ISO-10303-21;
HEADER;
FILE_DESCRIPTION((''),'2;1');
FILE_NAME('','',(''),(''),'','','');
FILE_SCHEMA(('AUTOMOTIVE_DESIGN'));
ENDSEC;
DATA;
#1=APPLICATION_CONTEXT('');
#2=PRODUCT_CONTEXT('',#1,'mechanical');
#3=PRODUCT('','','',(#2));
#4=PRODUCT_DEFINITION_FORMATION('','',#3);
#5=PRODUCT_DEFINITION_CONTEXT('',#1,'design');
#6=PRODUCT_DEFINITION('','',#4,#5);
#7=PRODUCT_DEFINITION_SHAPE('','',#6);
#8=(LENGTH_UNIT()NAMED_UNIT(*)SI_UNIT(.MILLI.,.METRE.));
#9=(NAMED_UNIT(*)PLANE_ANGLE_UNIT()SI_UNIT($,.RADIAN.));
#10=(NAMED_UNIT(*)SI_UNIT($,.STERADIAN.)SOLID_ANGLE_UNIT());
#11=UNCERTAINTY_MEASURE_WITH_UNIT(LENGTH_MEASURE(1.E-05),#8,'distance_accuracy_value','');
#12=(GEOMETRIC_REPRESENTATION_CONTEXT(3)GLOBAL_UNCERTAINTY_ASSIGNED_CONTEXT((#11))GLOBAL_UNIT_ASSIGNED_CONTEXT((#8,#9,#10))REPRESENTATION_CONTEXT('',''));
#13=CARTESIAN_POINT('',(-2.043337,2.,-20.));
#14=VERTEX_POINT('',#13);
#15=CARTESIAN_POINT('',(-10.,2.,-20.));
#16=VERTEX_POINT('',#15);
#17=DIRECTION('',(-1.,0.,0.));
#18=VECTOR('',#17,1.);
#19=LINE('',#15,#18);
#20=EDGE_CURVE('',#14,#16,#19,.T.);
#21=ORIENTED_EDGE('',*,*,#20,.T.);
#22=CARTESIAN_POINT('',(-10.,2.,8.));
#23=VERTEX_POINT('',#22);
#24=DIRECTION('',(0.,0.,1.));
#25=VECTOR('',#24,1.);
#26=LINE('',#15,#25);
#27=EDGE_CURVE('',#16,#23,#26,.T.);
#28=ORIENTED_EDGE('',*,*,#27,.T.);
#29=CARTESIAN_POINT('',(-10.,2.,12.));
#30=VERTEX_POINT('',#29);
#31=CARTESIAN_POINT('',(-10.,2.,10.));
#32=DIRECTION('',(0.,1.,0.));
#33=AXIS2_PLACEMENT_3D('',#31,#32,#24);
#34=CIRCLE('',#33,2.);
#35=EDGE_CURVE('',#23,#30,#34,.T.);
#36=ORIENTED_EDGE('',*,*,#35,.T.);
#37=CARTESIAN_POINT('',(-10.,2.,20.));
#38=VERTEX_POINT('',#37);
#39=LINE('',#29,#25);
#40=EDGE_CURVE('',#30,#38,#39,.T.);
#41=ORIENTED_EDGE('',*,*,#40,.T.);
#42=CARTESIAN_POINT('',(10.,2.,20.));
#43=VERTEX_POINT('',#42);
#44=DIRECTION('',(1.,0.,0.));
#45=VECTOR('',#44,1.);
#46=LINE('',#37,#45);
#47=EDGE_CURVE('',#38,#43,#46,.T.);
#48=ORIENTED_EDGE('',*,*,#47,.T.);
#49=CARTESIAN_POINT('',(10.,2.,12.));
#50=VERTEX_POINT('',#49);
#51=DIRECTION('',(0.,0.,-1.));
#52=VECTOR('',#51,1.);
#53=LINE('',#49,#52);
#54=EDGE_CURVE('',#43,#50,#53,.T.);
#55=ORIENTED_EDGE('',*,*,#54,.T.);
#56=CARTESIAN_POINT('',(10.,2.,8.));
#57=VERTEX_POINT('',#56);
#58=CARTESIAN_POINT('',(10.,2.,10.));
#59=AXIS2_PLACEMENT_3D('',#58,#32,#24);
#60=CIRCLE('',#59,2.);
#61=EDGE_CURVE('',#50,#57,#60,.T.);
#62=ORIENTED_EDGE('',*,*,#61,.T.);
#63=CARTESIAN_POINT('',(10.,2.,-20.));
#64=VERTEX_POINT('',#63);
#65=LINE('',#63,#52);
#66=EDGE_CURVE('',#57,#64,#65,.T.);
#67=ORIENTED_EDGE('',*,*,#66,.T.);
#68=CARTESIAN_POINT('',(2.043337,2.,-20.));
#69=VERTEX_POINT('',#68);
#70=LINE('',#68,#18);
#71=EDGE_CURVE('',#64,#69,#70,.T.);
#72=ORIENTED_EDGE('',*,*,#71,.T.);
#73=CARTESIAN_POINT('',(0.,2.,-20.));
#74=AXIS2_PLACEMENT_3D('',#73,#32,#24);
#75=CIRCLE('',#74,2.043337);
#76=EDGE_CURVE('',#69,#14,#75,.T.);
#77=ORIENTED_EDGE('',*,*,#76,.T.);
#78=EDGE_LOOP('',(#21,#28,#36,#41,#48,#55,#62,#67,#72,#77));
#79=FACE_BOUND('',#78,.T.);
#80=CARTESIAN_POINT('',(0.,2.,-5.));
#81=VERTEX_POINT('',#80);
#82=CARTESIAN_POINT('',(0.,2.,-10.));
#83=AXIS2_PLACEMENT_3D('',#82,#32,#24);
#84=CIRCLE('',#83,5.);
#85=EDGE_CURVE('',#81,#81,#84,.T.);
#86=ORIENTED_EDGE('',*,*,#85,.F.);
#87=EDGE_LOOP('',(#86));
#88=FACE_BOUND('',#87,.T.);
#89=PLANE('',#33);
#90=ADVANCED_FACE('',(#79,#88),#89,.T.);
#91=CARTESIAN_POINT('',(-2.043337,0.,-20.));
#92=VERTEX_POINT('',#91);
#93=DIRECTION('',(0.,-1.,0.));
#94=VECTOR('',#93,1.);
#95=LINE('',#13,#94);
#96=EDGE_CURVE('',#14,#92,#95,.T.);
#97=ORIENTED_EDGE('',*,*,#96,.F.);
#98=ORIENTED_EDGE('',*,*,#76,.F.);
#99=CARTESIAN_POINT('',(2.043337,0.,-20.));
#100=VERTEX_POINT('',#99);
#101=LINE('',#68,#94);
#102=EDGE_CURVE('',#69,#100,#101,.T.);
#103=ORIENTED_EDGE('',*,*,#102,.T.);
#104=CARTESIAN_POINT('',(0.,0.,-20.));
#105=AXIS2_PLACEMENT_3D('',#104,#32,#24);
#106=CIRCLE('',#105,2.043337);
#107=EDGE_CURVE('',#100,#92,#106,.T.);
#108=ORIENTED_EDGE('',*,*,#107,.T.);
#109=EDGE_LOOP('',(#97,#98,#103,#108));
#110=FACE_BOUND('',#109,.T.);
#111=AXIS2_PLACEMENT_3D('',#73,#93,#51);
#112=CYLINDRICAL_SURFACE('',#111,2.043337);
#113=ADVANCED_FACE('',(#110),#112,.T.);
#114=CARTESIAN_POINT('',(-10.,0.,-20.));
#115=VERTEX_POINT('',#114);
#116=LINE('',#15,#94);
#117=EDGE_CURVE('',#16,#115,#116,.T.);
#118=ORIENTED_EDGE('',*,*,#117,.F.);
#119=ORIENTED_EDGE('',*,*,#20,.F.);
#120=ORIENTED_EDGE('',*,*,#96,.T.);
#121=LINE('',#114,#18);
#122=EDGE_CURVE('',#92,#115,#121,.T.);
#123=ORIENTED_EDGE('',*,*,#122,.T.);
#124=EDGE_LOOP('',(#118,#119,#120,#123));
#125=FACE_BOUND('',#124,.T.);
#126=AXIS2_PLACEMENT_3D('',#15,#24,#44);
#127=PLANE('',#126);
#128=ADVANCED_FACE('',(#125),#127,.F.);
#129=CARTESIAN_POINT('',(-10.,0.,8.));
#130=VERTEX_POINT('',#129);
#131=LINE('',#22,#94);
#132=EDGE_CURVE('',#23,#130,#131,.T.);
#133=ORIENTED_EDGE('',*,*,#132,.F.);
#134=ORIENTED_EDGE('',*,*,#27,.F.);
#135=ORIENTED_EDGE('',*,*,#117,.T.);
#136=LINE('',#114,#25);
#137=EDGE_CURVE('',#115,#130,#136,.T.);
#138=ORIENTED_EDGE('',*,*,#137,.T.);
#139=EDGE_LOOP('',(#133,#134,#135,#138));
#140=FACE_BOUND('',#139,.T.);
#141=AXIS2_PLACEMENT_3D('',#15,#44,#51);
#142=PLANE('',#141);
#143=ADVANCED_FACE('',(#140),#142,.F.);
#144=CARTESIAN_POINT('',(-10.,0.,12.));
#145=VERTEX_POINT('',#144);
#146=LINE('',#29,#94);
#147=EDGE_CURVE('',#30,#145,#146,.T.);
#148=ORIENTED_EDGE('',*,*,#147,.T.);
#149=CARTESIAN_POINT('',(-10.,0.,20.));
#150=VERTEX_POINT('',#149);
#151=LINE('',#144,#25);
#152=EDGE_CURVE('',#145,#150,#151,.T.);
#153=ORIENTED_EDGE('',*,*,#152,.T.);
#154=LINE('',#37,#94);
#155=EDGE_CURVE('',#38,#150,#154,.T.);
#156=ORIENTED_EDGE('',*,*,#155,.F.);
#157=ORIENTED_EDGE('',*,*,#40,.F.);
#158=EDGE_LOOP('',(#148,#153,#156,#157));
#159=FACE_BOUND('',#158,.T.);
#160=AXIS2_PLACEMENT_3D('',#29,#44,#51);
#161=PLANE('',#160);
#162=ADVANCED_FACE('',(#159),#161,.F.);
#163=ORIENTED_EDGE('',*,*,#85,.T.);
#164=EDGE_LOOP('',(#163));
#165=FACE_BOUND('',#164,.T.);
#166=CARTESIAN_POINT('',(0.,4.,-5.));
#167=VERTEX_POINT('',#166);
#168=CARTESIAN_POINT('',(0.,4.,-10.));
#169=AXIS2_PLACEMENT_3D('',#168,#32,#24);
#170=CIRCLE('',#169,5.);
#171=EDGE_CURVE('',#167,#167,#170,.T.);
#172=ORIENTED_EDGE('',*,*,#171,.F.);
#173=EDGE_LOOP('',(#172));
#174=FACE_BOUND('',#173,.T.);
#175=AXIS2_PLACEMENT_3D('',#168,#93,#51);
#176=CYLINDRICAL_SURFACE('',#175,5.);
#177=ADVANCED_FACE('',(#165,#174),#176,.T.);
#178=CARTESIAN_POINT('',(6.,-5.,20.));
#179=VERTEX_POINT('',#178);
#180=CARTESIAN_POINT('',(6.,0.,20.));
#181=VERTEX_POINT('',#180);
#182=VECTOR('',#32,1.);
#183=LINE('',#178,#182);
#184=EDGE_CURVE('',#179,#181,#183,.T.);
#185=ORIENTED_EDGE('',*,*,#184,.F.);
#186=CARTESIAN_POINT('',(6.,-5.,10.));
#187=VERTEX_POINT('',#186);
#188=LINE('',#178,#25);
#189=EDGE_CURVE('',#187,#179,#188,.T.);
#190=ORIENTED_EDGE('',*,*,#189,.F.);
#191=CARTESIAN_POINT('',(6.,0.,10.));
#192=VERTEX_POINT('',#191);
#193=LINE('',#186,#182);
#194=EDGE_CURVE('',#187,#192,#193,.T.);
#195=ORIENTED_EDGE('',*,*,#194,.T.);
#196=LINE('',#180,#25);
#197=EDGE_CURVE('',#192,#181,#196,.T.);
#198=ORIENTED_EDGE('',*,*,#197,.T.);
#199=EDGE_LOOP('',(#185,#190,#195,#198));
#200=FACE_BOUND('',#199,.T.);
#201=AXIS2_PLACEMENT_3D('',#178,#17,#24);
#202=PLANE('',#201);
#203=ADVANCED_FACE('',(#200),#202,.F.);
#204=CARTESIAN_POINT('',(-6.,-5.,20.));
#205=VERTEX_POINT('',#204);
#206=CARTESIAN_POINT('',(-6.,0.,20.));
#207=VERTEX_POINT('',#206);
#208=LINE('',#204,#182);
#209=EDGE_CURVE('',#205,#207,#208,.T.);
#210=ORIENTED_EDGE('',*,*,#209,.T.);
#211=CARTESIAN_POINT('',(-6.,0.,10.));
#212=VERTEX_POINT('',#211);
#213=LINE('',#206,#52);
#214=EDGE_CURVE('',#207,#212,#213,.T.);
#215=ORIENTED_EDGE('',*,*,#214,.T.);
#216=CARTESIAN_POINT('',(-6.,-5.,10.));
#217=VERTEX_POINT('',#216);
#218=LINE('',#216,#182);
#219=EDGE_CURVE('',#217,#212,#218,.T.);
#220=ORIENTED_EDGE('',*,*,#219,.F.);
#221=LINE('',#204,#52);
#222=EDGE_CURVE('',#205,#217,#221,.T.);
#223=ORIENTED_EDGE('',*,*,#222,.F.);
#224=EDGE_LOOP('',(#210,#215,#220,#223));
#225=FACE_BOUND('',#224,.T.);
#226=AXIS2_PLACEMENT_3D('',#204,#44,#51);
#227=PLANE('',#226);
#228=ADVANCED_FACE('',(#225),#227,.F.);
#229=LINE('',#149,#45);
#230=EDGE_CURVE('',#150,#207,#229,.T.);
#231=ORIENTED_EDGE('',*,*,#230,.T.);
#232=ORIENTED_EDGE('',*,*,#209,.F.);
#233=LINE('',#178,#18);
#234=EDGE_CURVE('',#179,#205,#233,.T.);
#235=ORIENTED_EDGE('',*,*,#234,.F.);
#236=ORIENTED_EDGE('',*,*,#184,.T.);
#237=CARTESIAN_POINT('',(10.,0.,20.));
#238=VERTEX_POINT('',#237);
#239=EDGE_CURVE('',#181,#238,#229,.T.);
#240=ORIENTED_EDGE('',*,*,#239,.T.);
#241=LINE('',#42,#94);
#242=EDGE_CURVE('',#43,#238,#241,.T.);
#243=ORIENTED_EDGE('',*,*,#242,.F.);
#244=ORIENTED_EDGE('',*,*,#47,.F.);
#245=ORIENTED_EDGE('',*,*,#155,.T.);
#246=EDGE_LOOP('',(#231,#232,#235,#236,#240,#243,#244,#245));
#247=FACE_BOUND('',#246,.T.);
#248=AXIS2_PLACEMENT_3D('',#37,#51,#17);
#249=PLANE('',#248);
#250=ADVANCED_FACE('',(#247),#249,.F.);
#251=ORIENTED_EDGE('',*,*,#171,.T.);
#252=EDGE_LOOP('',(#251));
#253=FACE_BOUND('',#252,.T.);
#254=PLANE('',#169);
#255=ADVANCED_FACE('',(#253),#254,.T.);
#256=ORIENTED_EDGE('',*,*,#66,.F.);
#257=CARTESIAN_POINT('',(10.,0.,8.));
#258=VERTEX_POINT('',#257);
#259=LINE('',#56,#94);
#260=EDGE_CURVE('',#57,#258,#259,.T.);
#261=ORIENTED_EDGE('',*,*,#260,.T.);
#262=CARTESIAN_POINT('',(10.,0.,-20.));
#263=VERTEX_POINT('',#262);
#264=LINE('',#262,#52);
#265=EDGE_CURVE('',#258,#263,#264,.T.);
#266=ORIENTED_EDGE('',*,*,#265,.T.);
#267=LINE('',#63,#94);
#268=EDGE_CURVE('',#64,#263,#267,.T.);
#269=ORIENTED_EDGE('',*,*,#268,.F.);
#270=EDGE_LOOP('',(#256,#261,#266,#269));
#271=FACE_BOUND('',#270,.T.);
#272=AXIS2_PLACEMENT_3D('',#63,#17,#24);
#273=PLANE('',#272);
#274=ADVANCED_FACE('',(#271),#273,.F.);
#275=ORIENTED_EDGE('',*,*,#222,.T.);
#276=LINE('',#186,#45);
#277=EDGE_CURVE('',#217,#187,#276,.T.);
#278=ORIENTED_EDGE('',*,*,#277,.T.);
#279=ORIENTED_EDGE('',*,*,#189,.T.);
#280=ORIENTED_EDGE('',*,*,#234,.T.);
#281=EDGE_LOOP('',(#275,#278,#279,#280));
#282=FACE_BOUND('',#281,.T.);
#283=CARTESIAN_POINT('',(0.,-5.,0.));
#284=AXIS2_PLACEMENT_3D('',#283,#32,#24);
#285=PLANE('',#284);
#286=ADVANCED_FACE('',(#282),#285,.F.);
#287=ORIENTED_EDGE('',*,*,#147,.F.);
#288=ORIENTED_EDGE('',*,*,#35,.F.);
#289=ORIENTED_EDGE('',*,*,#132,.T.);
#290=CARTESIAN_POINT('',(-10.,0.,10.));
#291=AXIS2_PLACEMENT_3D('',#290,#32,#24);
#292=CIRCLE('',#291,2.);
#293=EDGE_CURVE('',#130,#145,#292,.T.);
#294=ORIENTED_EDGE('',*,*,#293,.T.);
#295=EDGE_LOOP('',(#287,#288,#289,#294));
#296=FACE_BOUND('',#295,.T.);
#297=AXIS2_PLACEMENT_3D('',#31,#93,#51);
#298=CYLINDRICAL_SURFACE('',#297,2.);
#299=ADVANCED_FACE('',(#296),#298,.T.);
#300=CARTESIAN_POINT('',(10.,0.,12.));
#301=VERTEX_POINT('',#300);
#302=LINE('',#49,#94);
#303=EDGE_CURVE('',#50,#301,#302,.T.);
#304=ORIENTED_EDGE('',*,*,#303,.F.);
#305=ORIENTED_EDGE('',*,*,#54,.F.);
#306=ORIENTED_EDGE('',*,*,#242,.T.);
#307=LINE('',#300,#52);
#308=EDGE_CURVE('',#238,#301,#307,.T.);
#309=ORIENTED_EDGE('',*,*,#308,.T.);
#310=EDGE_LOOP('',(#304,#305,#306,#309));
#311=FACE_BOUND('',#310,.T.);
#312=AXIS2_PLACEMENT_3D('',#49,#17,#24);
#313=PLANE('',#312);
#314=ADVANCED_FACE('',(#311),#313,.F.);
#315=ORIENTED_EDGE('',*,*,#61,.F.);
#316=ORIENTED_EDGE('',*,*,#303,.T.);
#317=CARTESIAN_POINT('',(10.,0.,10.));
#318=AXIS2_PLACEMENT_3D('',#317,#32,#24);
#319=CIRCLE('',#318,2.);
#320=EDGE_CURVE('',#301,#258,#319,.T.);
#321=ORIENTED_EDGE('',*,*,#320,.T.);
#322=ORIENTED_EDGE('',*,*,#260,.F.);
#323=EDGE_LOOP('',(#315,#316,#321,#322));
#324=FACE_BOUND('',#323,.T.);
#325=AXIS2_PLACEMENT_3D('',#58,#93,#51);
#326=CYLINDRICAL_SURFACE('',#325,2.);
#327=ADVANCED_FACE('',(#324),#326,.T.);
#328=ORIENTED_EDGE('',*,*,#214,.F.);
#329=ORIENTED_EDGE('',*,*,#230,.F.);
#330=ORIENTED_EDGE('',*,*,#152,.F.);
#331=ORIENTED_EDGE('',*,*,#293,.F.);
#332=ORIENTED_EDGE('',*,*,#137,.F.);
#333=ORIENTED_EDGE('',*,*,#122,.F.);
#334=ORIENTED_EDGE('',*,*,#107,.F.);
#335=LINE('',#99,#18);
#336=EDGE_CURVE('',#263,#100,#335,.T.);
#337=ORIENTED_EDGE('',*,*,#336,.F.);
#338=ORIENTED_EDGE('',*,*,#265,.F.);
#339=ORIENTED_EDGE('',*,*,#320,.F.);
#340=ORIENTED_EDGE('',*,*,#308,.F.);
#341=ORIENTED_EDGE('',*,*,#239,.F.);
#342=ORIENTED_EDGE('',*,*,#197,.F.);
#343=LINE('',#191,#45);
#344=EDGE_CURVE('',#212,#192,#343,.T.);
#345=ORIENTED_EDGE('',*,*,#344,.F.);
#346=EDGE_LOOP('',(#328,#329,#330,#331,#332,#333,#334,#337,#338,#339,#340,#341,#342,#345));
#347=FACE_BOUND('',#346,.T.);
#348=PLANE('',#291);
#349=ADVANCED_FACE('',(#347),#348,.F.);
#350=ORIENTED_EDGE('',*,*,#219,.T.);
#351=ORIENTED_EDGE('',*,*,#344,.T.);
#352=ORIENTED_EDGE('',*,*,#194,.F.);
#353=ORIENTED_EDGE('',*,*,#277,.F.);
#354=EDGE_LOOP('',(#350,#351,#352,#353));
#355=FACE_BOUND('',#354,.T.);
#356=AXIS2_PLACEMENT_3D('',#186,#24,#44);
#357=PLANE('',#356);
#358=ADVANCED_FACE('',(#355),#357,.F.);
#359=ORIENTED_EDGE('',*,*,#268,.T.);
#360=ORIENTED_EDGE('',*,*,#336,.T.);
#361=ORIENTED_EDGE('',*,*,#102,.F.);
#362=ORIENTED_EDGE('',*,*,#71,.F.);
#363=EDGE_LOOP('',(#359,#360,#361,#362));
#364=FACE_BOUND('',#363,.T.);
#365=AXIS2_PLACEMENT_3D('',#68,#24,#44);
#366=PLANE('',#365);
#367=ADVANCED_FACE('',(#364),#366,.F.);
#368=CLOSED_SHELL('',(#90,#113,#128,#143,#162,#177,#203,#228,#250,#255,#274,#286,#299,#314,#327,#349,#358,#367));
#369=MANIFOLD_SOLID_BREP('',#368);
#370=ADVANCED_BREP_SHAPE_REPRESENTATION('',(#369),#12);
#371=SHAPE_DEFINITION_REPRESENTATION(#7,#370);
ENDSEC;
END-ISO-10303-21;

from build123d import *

# Parameters (mm, degrees)
BOSS_EXTRUDE1_DEPTH = 2
SKETCH3_R           = 5
BOSS_EXTRUDE2_DEPTH = 2
SKETCH5_W           = 12
SKETCH5_H           = 10
BOSS_EXTRUDE3_DEPTH = 5


with BuildPart() as part:
    # Sketch2 → Boss-Extrude1 (new body)
    with BuildSketch(Plane(origin=(0, 0, 0), x_dir=(1, 0, 0), z_dir=(0, 1, 0))):
        with BuildLine():
            Line((2.043336986, 20), (10, 20))
            Line((10, 20), (10, -8))
            ThreePointArc((10, -8), (12, -10), (10, -12))
            Line((10, -12), (10, -20))
            Line((10, -20), (-10, -20))
            Line((-10, -20), (-10, -12))
            ThreePointArc((-10, -12), (-12, -10), (-10, -8))
            Line((-10, -8), (-10, 20))
            Line((-10, 20), (-2.043336986, 20))
            ThreePointArc((-2.043336986, 20), (0, 22.043336986), (2.043336986, 20))
        make_face()
    extrude(amount=BOSS_EXTRUDE1_DEPTH)

    # Sketch3 → Boss-Extrude2 (add)
    with BuildSketch(Plane(origin=(0, 2, 0), x_dir=(1, 0, 0), z_dir=(0, 1, 0))):
        with Locations(Location((0, 10, 0), (0, 0, 270))):
            Circle(SKETCH3_R)
    extrude(amount=BOSS_EXTRUDE2_DEPTH)

    # Sketch5 → Boss-Extrude3 (add)
    with BuildSketch(Plane.XZ):
        with Locations((0, 15)):
            Rectangle(SKETCH5_W, SKETCH5_H)
    extrude(amount=BOSS_EXTRUDE3_DEPTH)


solid = part.part
